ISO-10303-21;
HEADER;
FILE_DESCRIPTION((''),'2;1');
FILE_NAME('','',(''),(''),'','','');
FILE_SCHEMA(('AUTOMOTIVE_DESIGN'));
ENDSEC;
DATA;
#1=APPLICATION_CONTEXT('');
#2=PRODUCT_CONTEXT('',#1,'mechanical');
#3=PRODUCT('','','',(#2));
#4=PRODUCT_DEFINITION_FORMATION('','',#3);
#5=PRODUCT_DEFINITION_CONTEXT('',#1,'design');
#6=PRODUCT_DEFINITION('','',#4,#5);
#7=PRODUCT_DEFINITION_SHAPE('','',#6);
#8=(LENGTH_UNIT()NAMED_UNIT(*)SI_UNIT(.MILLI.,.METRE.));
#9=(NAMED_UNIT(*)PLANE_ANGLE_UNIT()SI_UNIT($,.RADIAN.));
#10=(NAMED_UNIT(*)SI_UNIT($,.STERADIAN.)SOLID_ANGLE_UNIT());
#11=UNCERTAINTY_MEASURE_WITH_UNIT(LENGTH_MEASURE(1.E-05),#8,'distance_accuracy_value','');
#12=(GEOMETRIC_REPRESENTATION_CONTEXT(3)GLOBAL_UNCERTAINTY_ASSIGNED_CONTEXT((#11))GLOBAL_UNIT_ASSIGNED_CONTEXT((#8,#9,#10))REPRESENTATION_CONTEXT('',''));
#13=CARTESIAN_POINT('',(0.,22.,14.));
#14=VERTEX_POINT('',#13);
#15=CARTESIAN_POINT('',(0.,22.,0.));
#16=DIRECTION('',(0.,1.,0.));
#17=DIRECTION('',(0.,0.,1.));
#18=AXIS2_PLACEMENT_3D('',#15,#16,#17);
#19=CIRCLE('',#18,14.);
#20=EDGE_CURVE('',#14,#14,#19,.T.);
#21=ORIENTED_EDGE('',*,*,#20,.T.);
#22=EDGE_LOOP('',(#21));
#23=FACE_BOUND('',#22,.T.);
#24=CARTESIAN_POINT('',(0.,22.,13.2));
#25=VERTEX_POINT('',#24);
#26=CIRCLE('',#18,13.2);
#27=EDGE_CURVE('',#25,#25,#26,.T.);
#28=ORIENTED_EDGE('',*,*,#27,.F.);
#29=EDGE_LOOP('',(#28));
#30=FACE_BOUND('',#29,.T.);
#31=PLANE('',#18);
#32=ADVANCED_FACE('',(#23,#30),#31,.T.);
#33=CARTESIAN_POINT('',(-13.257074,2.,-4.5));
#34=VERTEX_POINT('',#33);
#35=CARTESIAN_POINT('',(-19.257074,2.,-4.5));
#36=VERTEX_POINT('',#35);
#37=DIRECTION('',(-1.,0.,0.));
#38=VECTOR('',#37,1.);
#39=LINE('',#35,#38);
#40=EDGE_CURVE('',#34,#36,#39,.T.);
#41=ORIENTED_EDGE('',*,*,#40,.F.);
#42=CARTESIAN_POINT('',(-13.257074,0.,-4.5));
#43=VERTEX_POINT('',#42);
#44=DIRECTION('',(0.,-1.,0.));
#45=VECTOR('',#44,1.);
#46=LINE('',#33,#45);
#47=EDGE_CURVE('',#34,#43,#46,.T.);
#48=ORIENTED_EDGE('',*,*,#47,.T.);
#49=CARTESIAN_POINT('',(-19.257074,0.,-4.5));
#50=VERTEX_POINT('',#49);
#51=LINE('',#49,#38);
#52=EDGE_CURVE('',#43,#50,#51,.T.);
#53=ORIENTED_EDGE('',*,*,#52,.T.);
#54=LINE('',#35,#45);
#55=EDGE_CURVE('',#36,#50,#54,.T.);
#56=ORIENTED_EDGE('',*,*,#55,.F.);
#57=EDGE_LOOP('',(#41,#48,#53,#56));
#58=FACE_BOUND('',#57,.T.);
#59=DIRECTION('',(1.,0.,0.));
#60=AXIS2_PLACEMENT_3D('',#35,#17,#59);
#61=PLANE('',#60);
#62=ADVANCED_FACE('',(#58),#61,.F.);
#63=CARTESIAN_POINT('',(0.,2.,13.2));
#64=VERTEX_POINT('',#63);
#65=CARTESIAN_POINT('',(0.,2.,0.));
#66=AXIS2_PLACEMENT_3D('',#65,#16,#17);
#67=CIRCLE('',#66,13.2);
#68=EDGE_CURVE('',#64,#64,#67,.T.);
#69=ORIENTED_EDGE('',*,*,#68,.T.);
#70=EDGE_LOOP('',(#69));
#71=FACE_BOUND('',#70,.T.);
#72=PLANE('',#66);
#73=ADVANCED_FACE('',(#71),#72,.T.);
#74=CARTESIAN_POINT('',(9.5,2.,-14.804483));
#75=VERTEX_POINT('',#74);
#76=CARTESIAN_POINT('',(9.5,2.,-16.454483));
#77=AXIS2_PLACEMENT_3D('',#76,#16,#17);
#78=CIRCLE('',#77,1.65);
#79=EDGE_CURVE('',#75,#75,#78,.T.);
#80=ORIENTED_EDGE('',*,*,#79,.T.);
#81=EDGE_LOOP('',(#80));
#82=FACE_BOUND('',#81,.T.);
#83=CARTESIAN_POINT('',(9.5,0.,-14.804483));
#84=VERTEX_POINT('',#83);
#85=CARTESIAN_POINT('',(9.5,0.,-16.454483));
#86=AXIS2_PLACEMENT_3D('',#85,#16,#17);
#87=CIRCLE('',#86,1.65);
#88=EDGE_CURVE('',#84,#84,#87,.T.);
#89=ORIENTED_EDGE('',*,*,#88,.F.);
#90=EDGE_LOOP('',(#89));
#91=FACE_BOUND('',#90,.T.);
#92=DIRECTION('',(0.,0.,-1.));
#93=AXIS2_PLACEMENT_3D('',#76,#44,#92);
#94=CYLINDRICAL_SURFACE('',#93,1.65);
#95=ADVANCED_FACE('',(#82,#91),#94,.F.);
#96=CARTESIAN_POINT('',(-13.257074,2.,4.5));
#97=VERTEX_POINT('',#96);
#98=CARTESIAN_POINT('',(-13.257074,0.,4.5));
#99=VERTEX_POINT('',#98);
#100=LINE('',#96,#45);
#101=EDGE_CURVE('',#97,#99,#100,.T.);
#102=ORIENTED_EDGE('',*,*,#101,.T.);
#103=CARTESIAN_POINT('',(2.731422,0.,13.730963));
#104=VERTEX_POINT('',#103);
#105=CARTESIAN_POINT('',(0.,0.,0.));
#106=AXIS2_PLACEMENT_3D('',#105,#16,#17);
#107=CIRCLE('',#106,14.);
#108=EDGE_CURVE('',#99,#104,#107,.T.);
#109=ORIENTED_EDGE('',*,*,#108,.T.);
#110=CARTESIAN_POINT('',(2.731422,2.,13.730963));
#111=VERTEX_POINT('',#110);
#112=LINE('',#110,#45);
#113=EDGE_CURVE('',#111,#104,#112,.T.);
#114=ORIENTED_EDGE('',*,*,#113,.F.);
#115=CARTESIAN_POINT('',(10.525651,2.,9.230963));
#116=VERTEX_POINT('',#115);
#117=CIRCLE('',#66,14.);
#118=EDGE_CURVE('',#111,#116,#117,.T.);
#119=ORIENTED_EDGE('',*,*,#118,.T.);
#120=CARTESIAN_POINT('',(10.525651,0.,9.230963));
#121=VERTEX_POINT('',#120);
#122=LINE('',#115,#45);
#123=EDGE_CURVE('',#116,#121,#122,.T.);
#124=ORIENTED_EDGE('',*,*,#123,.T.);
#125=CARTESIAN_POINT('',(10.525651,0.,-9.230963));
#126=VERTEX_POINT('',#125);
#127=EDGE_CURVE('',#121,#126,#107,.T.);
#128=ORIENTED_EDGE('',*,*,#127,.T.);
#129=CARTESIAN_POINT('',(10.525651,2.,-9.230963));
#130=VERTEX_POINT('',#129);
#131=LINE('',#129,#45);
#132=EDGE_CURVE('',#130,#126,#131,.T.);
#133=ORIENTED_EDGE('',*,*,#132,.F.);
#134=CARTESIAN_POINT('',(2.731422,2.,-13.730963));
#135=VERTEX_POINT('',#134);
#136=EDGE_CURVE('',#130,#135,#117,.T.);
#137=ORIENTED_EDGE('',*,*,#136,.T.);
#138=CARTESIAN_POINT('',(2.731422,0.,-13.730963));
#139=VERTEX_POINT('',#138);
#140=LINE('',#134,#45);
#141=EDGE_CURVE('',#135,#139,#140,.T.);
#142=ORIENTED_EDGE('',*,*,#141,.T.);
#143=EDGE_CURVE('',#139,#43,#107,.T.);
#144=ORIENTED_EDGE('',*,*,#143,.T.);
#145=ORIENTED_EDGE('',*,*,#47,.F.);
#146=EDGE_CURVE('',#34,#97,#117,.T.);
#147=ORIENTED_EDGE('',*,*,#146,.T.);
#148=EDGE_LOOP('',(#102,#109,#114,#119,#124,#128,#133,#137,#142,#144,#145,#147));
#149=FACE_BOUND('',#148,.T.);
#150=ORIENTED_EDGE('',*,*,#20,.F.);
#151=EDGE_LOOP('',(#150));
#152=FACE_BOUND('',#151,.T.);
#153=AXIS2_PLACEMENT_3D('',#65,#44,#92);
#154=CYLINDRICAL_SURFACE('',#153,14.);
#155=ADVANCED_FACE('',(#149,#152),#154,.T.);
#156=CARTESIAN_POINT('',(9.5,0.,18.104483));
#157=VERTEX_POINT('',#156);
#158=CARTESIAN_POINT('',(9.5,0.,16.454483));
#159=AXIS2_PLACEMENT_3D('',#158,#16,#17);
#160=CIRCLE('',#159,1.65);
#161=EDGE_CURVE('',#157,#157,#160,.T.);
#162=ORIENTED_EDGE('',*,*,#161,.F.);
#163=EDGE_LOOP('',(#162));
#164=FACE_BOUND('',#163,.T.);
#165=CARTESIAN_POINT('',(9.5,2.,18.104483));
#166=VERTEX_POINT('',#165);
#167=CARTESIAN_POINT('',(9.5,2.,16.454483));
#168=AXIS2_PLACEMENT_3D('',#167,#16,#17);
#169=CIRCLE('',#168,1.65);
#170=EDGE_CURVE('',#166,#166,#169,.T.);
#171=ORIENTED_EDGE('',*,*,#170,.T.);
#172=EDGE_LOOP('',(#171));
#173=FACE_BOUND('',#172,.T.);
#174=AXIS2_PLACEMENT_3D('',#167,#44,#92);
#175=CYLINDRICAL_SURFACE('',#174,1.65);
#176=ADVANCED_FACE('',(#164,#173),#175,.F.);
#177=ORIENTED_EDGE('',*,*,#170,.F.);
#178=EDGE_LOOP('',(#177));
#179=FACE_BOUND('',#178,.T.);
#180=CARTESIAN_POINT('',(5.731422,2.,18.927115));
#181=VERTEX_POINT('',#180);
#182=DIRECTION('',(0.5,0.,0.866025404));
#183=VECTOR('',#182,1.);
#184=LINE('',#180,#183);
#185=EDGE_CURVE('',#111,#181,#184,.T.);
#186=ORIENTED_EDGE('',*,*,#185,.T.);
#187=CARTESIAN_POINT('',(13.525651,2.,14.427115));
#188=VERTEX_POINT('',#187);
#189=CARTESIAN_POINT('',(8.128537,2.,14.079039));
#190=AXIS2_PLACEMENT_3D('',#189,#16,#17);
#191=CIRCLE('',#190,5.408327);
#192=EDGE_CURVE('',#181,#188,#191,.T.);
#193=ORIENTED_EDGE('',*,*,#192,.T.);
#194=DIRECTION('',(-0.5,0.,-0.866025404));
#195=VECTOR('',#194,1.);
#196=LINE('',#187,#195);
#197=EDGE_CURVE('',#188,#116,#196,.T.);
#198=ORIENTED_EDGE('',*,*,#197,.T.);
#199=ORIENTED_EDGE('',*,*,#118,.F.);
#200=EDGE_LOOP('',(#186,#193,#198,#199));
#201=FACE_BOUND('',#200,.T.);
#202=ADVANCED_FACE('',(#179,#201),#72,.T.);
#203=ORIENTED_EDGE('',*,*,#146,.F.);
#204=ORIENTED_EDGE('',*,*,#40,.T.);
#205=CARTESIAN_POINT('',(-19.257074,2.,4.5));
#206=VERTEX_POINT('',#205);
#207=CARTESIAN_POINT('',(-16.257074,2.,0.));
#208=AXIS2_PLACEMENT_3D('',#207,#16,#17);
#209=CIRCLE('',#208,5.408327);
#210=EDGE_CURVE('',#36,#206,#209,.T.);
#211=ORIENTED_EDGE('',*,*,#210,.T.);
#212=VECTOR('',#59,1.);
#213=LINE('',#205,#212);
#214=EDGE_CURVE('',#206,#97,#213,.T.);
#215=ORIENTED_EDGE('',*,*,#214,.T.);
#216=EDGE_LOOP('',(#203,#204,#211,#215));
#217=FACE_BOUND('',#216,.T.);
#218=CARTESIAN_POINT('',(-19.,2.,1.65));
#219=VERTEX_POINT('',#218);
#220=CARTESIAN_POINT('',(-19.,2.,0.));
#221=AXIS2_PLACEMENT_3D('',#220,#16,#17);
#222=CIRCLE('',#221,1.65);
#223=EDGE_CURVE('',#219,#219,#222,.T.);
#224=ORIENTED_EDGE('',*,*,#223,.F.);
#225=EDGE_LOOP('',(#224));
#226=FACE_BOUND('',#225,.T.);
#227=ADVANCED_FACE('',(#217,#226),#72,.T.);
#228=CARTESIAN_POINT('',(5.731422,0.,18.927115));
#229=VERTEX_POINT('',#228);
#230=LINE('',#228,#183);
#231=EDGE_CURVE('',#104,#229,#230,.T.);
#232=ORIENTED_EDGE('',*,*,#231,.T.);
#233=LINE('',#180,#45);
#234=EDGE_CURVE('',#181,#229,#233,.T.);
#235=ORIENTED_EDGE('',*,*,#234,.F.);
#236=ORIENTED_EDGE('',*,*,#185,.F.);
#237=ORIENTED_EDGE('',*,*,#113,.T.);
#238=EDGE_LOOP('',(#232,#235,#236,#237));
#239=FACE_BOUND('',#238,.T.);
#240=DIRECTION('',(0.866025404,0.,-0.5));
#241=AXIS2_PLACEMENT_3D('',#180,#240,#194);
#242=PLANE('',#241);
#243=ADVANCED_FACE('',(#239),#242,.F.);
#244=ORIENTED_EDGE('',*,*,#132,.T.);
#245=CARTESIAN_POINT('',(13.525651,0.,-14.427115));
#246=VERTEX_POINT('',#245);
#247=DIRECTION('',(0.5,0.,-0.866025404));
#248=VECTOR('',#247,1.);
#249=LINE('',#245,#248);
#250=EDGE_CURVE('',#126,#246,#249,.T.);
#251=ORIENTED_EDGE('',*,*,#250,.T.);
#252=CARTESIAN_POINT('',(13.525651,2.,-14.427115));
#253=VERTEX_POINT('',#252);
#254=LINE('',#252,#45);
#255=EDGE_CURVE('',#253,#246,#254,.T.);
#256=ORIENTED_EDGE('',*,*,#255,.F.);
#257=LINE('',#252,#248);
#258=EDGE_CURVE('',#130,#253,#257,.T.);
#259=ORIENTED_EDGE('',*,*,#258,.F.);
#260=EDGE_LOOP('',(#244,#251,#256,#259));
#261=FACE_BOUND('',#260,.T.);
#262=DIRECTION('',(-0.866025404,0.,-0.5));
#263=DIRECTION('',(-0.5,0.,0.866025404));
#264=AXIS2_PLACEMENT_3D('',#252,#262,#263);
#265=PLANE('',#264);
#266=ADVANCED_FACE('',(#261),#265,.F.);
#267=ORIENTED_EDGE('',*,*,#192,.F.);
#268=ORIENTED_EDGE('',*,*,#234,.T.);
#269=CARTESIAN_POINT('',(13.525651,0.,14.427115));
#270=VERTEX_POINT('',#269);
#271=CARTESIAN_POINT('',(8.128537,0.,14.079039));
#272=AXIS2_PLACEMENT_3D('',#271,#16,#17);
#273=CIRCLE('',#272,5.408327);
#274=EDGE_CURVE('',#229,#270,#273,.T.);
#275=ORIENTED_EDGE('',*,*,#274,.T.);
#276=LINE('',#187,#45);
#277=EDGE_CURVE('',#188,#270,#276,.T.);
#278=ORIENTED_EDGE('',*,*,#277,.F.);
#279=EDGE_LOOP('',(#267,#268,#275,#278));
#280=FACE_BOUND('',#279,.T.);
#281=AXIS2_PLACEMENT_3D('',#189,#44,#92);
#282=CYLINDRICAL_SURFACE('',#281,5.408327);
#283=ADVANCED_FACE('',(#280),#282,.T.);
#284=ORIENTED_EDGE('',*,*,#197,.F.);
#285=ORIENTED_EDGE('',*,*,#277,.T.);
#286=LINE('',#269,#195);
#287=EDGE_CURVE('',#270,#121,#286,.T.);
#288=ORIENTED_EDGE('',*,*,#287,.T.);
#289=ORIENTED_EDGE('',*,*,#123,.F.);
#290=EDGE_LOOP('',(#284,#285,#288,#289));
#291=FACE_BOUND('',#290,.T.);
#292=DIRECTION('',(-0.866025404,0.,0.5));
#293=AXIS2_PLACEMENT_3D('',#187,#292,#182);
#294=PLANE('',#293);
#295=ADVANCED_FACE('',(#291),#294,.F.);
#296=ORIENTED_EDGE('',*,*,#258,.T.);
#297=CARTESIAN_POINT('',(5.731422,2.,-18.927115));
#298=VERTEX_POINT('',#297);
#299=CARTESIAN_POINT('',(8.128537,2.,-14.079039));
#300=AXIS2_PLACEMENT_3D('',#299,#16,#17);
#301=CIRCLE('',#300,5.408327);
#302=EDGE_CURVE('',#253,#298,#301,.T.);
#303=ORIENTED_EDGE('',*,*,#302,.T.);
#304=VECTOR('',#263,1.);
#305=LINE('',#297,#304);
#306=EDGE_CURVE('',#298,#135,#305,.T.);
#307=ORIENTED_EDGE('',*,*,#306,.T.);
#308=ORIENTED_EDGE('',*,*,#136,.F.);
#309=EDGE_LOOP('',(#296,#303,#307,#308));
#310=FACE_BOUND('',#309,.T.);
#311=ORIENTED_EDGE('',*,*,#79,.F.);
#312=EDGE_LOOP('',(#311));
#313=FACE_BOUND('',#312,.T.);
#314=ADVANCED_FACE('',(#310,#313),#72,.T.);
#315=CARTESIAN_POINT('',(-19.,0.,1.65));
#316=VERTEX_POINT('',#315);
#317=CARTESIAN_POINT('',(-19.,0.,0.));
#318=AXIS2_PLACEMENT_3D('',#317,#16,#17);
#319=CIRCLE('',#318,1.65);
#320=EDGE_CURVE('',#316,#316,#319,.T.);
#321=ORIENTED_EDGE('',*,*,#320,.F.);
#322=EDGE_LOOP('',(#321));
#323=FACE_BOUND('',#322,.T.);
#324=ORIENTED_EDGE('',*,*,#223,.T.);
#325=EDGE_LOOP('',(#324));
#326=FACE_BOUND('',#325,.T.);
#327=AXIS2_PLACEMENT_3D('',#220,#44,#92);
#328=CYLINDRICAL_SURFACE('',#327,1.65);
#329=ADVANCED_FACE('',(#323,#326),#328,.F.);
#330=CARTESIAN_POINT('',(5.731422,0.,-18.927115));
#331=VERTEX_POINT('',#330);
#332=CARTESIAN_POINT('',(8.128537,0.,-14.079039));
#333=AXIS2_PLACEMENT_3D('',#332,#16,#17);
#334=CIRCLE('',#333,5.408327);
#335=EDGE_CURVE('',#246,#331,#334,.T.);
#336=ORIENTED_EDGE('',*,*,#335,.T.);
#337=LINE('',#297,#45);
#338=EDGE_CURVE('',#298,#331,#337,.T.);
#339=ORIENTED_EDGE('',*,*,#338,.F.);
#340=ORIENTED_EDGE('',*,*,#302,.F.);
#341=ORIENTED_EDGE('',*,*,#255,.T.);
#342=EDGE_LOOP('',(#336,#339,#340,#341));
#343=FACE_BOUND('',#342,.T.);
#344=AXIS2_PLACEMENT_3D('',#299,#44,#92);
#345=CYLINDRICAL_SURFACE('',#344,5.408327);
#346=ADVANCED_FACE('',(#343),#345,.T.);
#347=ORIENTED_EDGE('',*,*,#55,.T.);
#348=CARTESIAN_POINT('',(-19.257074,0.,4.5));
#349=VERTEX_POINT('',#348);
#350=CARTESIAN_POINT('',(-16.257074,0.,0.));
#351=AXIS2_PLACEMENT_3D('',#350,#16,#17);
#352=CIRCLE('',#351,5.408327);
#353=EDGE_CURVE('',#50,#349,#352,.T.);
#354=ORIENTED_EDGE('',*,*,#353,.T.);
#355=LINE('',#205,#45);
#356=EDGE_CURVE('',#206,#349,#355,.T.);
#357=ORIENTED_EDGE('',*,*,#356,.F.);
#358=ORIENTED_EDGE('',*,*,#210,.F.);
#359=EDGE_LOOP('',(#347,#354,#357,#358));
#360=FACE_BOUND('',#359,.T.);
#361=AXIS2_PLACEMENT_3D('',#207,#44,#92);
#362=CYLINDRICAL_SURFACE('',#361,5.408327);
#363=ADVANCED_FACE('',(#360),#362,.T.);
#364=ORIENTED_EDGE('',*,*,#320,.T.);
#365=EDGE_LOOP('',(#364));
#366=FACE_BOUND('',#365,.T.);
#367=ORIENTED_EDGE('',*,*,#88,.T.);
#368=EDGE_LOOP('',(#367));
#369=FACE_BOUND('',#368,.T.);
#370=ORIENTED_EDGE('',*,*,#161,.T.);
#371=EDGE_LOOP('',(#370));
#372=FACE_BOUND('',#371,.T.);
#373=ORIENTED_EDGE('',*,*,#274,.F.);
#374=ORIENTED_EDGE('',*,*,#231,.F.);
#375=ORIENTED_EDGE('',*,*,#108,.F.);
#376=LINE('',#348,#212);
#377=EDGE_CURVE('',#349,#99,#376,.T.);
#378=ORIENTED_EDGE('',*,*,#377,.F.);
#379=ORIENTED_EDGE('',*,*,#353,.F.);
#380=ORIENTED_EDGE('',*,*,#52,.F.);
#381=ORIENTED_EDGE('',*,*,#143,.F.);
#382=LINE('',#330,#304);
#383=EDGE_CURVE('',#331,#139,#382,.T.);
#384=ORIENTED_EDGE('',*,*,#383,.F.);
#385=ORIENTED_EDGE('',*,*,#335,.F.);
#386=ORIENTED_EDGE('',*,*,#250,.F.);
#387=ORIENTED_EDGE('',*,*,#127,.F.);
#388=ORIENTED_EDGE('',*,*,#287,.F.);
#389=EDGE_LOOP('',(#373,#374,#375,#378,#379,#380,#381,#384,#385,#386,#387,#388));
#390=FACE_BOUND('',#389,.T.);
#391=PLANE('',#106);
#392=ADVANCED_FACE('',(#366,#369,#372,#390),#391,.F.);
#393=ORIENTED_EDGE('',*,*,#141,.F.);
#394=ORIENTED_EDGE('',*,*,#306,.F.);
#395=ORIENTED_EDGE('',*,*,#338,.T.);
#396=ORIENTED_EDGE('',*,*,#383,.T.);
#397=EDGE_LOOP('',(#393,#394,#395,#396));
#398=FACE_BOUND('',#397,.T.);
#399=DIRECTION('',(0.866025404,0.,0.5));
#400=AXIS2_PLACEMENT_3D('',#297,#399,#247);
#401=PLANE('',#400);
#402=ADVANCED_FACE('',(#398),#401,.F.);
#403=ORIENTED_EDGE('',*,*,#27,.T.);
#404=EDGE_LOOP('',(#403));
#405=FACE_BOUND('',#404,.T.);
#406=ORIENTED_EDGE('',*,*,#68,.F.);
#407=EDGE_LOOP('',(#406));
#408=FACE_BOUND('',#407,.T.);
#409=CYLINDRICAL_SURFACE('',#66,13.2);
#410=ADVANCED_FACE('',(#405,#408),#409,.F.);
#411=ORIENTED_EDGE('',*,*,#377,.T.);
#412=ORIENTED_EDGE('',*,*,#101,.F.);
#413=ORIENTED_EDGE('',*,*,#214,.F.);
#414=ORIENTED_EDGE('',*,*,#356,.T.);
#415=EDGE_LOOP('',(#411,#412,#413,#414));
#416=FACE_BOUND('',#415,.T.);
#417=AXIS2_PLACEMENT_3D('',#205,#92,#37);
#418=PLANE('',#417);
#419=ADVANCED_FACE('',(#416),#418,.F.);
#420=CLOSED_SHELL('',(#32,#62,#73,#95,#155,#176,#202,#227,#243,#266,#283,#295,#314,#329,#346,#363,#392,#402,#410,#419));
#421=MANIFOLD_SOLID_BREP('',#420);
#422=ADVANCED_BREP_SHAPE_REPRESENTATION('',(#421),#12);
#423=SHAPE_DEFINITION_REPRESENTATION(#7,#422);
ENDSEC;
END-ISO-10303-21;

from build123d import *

# Parameters (mm, degrees)
ESBO_O4_R                = 1.65
RESSALTO_EXTRUS_O2_DEPTH = 2
ESBO_O5_R                = 14
RESSALTO_EXTRUS_O3_DEPTH = 20
ESBO_O6_R                = 13.2
CORTE_EXTRUS_O1_DEPTH    = 20


with BuildPart() as part:
    # Esboço4 → Ressalto-extrusão2 (new body)
    with BuildSketch(Plane(origin=(0, 0, 0), x_dir=(1, 0, 0), z_dir=(0, 1, 0))):
        with BuildLine():
            Line((-19.257073584, -4.5), (-13.257073584, -4.5))
            ThreePointArc((-13.257073584, -4.5), (-7, -12.124355653), (2.731422475, -13.730962503))
            Line((2.731422475, -13.730962503), (5.731422475, -18.927114926))
            ThreePointArc((5.731422475, -18.927114926), (10.832700248, -18.762787213), (13.525651109, -14.427114926))
            Line((13.525651109, -14.427114926), (10.525651109, -9.230962503))
            ThreePointArc((10.525651109, -9.230962503), (14, 0), (10.525651109, 9.230962503))
            Line((10.525651109, 9.230962503), (13.525651109, 14.427114926))
            ThreePointArc((13.525651109, 14.427114926), (10.832700248, 18.762787213), (5.731422475, 18.927114926))
            Line((5.731422475, 18.927114926), (2.731422475, 13.730962503))
            ThreePointArc((2.731422475, 13.730962503), (-7, 12.124355653), (-13.257073584, 4.5))
            Line((-13.257073584, 4.5), (-19.257073584, 4.5))
            ThreePointArc((-19.257073584, 4.5), (-21.665400497, 0), (-19.257073584, -4.5))
        make_face()
        with Locations(Location((-19, 0, 0), (0, 0, 270))):
            Circle(ESBO_O4_R, mode=Mode.SUBTRACT)
        with Locations(Location((9.5, 16.454482672, 0), (0, 0, 270))):
            Circle(ESBO_O4_R, mode=Mode.SUBTRACT)
        with Locations(Location((9.5, -16.454482672, 0), (0, 0, 270))):
            Circle(ESBO_O4_R, mode=Mode.SUBTRACT)
    extrude(amount=RESSALTO_EXTRUS_O2_DEPTH)

    # Esboço5 → Ressalto-extrusão3 (add)
    with BuildSketch(Plane(origin=(0, 2, 0), x_dir=(1, 0, 0), z_dir=(0, 1, 0))):
        with Locations(Location((0, 0, 0), (0, 0, 78.749340847))):
            Circle(ESBO_O5_R)
    extrude(amount=RESSALTO_EXTRUS_O3_DEPTH)

    # Esboço6 → Corte-extrusão1 (cut)
    with BuildSketch(Plane(origin=(0, 22, 0), x_dir=(1, 0, 0), z_dir=(0, 1, 0))):
        with Locations(Location((0, 0, 0), (0, 0, 270))):
            Circle(ESBO_O6_R)
    extrude(amount=-CORTE_EXTRUS_O1_DEPTH, mode=Mode.SUBTRACT)


solid = part.part
